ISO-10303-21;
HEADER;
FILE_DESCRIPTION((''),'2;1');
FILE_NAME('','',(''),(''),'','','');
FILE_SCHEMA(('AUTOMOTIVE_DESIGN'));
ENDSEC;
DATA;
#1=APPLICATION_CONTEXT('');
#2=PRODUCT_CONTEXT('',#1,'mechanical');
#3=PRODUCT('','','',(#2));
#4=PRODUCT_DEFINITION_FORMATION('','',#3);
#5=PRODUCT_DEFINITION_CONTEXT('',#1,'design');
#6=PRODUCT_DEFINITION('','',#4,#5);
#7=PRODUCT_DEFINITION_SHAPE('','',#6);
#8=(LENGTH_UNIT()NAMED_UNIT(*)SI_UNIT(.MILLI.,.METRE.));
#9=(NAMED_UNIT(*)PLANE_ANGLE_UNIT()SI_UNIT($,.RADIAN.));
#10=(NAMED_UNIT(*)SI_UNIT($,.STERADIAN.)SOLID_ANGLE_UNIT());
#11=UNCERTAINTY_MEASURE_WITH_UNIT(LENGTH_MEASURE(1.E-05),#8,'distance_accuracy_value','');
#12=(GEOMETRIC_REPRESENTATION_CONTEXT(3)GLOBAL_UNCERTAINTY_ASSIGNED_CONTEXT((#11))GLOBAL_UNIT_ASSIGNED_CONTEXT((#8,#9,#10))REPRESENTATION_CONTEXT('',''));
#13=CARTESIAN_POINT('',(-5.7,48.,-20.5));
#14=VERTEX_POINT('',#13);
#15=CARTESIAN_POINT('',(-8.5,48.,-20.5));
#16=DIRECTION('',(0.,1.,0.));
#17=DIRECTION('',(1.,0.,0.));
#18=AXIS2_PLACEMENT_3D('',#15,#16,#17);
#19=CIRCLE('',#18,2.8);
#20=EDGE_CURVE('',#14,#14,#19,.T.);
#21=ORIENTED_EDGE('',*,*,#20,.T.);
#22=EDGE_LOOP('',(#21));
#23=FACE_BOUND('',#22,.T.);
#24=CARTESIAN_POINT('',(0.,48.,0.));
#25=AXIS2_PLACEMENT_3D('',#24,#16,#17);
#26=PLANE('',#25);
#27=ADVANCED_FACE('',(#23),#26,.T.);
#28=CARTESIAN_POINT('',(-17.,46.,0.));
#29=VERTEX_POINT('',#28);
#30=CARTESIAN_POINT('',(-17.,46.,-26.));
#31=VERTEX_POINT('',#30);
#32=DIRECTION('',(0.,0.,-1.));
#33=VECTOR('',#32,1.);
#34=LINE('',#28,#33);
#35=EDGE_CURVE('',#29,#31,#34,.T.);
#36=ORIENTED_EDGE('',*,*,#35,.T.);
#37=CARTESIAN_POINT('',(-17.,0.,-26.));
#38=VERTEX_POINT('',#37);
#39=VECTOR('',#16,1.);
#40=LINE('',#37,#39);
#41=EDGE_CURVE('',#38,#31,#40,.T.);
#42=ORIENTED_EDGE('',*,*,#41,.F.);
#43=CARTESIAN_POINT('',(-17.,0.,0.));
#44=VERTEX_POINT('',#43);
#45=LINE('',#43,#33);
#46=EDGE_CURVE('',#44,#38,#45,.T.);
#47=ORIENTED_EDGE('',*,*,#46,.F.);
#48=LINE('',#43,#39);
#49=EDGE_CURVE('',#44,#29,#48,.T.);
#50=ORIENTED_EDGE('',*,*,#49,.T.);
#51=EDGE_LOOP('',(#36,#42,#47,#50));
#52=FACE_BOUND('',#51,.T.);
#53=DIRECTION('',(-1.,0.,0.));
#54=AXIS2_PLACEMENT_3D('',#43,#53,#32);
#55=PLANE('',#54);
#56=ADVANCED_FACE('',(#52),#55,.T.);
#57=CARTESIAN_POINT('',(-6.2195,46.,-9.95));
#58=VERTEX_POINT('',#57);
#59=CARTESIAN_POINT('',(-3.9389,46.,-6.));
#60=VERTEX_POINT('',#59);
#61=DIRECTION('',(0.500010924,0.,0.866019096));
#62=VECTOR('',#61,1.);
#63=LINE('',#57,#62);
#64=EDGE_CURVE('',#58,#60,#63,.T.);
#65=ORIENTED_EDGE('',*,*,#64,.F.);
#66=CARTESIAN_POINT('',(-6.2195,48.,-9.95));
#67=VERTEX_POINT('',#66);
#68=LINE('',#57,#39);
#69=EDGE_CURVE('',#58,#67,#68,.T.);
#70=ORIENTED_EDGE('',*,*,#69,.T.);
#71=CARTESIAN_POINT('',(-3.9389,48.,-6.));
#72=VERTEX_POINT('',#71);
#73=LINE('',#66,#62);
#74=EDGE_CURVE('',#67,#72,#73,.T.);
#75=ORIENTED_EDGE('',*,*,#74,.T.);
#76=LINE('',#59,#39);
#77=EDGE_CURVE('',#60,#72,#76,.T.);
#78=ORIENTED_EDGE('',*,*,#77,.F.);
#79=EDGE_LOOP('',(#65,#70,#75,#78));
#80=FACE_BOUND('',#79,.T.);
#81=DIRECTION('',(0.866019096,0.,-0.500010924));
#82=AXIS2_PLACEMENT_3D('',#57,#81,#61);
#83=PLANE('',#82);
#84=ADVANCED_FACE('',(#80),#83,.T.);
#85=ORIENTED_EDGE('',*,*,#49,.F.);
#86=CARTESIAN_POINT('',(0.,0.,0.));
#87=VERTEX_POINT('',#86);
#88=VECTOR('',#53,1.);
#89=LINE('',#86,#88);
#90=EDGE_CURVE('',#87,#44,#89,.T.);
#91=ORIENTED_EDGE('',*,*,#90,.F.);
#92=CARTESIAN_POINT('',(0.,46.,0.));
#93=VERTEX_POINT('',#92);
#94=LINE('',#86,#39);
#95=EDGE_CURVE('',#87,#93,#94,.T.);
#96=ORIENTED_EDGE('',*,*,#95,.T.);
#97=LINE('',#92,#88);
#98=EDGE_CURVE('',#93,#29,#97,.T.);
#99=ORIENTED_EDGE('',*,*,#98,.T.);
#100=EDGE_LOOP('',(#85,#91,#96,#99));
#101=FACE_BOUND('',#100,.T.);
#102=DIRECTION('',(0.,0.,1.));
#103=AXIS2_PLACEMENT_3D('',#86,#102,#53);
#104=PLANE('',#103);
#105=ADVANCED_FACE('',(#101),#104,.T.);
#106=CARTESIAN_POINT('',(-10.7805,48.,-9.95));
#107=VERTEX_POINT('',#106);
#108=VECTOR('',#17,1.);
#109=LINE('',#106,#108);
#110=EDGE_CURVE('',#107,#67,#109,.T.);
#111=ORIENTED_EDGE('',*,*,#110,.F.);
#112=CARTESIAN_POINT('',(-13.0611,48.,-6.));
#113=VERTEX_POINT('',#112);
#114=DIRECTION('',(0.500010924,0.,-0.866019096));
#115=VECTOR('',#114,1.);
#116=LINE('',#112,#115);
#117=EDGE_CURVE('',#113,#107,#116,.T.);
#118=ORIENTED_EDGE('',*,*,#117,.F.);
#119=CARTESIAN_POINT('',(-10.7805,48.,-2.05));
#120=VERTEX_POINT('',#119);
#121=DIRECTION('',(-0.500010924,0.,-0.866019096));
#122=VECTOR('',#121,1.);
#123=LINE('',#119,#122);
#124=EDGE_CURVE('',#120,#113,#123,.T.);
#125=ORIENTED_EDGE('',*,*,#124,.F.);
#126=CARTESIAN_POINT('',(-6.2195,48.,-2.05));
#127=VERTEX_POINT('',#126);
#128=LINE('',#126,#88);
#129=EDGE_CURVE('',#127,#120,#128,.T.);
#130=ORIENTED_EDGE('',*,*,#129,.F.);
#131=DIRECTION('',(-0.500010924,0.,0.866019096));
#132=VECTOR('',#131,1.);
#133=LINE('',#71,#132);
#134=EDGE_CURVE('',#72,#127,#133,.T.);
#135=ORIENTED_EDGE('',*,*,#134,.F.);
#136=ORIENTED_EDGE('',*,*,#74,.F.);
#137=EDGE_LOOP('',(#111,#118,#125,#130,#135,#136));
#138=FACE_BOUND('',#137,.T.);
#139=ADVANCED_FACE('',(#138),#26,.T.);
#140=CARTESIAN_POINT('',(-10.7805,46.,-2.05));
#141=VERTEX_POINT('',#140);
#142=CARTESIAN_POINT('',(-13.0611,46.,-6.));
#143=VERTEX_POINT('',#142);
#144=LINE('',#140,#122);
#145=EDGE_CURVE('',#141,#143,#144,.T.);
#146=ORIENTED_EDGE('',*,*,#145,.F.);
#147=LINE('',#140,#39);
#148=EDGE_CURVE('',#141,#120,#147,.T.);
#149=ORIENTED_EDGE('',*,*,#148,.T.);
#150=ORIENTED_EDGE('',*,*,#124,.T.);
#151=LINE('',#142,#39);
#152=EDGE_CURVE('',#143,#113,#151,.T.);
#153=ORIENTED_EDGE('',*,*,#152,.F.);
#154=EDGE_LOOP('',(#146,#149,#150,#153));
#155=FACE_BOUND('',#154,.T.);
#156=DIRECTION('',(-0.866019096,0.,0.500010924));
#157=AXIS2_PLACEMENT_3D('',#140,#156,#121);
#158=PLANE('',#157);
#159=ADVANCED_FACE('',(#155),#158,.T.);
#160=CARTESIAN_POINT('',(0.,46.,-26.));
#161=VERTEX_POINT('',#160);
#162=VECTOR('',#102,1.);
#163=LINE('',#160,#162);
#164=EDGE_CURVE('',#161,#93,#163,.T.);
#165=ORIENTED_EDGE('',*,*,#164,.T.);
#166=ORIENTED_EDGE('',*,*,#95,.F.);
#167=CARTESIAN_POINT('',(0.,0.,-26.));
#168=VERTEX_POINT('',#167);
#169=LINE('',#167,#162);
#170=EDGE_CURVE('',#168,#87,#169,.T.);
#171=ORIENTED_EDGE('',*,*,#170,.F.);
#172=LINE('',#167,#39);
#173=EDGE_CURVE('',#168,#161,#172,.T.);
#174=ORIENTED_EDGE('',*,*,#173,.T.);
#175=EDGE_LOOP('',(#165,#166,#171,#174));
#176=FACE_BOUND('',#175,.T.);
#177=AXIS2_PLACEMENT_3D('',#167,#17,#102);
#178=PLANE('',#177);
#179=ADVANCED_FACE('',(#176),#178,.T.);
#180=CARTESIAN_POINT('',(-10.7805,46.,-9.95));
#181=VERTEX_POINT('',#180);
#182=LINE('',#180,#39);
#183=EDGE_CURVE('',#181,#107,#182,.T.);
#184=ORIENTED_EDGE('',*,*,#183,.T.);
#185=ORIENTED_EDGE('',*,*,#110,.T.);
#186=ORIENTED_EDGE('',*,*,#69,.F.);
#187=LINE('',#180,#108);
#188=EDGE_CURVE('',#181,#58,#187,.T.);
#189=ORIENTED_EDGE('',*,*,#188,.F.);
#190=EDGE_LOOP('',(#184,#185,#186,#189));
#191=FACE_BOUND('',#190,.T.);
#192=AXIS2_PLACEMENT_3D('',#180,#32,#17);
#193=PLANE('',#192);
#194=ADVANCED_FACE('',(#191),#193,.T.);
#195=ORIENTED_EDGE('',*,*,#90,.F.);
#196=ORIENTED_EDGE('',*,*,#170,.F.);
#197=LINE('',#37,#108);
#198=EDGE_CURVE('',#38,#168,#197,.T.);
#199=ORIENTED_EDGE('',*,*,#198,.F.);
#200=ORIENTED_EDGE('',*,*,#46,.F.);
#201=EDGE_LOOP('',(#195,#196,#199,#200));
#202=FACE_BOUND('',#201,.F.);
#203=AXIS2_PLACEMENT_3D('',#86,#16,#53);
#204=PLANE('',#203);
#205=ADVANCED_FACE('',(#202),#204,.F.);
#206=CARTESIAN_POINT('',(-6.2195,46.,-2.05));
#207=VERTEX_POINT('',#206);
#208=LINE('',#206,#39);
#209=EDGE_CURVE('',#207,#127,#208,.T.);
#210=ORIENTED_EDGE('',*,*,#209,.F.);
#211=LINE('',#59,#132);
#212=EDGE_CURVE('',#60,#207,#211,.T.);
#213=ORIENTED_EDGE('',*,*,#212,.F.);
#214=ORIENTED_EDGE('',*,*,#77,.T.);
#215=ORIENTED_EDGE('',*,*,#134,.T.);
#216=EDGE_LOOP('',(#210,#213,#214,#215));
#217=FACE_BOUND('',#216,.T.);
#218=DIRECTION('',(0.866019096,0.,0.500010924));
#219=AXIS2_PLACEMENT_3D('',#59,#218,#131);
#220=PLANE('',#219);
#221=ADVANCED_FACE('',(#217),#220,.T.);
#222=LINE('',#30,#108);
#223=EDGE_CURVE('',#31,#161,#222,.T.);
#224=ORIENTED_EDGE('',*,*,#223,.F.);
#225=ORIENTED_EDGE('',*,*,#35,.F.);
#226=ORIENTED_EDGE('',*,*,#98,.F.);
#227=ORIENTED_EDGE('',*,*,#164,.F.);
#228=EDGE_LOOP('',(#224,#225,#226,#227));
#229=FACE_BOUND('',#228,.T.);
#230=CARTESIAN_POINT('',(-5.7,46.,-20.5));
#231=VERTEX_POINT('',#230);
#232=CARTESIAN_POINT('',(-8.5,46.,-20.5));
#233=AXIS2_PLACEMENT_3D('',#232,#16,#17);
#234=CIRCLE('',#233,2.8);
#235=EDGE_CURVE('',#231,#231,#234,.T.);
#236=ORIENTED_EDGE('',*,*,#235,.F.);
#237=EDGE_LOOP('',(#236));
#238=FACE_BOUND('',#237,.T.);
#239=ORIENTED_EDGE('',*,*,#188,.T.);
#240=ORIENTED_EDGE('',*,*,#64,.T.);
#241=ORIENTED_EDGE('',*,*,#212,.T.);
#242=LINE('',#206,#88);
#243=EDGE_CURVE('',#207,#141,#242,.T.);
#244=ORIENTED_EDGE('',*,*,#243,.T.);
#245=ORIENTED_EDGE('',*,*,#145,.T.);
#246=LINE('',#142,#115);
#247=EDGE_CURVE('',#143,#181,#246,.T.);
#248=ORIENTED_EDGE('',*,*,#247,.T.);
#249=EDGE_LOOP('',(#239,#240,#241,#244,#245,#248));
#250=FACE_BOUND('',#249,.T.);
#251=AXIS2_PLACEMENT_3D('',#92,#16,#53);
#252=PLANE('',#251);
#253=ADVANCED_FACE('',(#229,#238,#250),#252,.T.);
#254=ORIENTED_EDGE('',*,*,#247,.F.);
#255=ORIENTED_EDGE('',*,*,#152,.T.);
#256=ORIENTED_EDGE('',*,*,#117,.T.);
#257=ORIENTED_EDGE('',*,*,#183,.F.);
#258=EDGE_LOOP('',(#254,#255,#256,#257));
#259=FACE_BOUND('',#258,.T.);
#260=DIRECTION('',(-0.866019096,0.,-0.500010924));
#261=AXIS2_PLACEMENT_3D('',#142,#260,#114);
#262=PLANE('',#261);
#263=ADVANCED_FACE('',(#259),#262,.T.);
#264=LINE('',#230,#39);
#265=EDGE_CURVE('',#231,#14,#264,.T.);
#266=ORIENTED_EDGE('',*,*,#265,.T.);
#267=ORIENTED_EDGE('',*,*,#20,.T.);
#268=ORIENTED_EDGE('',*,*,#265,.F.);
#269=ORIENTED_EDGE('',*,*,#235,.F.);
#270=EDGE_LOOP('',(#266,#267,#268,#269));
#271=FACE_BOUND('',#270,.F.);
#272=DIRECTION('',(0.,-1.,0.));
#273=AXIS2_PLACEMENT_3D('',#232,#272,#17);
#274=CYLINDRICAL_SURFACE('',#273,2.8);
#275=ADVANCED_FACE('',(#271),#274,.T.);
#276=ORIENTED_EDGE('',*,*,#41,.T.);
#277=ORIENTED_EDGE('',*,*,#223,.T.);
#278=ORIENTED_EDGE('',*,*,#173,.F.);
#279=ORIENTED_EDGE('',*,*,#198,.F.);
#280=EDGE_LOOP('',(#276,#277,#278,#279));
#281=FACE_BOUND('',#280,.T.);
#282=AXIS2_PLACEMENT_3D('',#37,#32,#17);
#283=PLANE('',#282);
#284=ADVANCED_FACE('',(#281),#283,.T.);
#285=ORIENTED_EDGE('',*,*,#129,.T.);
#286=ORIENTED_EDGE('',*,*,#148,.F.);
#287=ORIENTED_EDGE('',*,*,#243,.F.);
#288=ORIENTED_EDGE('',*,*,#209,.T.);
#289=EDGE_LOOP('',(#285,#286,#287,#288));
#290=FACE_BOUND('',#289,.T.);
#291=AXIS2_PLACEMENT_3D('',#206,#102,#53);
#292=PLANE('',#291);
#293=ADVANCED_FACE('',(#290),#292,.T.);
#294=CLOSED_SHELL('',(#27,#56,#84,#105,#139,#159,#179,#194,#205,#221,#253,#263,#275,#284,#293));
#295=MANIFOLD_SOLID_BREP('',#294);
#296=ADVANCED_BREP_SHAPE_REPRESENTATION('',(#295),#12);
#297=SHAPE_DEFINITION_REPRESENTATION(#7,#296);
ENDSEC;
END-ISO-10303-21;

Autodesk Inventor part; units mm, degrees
ref_plane "YZ Plane" through (0, 0, 0) normal (1, 0, 0) x (0, 1, 0)
ref_plane "XZ Plane" through (0, 0, 0) normal (0, 1, 0) x (-1, 0, 0)
ref_plane "XY Plane" through (0, 0, 0) normal (0, 0, 1) x (1, 0, 0)
sketch "Sketch1" plane through (0, 0, 0) normal (0, 1, 0) x (-1, 0, 0)
  line L0 (0, 0) -> (17, 0)
  line L1 (17, 0) -> (17, -26)
  line L2 (17, -26) -> (0, -26)
  line L3 (0, -26) -> (0, 0)
  dimension "d0" = 26
  dimension "d1" = 17
extrude "Extrusion1" add sketch "Sketch1" along normal blind 46
sketch "Sketch2" plane through (0, 46, 0) normal (0, 1, 0) x (1, 0, 0)
  line L0 (-17, 0) -> (0, 0) construction
  line L1 (-8.5, 0) -> (-8.5, 26) construction
  line L2 (0, 26) -> (-17, 26) construction
  circle A0 centre (-8.5, 20.5) radius 2.8
  line L3 (-3.9389, 6) -> (-6.2195, 2.05)
  line L4 (-6.2195, 2.05) -> (-10.7805, 2.05)
  line L5 (-10.7805, 2.05) -> (-13.0611, 6)
  line L6 (-13.0611, 6) -> (-10.7805, 9.95)
  line L7 (-10.7805, 9.95) -> (-6.2195, 9.95)
  line L8 (-6.2195, 9.95) -> (-3.9389, 6)
  point P0 (-8.5, 6)
  dimension "d5" = 7.9
  dimension "d6" = 6
  dimension "d7" = 5.5
  dimension "d8" = 5.6
extrude "Extrusion2" add sketch "Sketch2" along normal blind 2
equation "\"d2\" = height"
equation "\"height\" = 46"
properties part number "bat9V"
